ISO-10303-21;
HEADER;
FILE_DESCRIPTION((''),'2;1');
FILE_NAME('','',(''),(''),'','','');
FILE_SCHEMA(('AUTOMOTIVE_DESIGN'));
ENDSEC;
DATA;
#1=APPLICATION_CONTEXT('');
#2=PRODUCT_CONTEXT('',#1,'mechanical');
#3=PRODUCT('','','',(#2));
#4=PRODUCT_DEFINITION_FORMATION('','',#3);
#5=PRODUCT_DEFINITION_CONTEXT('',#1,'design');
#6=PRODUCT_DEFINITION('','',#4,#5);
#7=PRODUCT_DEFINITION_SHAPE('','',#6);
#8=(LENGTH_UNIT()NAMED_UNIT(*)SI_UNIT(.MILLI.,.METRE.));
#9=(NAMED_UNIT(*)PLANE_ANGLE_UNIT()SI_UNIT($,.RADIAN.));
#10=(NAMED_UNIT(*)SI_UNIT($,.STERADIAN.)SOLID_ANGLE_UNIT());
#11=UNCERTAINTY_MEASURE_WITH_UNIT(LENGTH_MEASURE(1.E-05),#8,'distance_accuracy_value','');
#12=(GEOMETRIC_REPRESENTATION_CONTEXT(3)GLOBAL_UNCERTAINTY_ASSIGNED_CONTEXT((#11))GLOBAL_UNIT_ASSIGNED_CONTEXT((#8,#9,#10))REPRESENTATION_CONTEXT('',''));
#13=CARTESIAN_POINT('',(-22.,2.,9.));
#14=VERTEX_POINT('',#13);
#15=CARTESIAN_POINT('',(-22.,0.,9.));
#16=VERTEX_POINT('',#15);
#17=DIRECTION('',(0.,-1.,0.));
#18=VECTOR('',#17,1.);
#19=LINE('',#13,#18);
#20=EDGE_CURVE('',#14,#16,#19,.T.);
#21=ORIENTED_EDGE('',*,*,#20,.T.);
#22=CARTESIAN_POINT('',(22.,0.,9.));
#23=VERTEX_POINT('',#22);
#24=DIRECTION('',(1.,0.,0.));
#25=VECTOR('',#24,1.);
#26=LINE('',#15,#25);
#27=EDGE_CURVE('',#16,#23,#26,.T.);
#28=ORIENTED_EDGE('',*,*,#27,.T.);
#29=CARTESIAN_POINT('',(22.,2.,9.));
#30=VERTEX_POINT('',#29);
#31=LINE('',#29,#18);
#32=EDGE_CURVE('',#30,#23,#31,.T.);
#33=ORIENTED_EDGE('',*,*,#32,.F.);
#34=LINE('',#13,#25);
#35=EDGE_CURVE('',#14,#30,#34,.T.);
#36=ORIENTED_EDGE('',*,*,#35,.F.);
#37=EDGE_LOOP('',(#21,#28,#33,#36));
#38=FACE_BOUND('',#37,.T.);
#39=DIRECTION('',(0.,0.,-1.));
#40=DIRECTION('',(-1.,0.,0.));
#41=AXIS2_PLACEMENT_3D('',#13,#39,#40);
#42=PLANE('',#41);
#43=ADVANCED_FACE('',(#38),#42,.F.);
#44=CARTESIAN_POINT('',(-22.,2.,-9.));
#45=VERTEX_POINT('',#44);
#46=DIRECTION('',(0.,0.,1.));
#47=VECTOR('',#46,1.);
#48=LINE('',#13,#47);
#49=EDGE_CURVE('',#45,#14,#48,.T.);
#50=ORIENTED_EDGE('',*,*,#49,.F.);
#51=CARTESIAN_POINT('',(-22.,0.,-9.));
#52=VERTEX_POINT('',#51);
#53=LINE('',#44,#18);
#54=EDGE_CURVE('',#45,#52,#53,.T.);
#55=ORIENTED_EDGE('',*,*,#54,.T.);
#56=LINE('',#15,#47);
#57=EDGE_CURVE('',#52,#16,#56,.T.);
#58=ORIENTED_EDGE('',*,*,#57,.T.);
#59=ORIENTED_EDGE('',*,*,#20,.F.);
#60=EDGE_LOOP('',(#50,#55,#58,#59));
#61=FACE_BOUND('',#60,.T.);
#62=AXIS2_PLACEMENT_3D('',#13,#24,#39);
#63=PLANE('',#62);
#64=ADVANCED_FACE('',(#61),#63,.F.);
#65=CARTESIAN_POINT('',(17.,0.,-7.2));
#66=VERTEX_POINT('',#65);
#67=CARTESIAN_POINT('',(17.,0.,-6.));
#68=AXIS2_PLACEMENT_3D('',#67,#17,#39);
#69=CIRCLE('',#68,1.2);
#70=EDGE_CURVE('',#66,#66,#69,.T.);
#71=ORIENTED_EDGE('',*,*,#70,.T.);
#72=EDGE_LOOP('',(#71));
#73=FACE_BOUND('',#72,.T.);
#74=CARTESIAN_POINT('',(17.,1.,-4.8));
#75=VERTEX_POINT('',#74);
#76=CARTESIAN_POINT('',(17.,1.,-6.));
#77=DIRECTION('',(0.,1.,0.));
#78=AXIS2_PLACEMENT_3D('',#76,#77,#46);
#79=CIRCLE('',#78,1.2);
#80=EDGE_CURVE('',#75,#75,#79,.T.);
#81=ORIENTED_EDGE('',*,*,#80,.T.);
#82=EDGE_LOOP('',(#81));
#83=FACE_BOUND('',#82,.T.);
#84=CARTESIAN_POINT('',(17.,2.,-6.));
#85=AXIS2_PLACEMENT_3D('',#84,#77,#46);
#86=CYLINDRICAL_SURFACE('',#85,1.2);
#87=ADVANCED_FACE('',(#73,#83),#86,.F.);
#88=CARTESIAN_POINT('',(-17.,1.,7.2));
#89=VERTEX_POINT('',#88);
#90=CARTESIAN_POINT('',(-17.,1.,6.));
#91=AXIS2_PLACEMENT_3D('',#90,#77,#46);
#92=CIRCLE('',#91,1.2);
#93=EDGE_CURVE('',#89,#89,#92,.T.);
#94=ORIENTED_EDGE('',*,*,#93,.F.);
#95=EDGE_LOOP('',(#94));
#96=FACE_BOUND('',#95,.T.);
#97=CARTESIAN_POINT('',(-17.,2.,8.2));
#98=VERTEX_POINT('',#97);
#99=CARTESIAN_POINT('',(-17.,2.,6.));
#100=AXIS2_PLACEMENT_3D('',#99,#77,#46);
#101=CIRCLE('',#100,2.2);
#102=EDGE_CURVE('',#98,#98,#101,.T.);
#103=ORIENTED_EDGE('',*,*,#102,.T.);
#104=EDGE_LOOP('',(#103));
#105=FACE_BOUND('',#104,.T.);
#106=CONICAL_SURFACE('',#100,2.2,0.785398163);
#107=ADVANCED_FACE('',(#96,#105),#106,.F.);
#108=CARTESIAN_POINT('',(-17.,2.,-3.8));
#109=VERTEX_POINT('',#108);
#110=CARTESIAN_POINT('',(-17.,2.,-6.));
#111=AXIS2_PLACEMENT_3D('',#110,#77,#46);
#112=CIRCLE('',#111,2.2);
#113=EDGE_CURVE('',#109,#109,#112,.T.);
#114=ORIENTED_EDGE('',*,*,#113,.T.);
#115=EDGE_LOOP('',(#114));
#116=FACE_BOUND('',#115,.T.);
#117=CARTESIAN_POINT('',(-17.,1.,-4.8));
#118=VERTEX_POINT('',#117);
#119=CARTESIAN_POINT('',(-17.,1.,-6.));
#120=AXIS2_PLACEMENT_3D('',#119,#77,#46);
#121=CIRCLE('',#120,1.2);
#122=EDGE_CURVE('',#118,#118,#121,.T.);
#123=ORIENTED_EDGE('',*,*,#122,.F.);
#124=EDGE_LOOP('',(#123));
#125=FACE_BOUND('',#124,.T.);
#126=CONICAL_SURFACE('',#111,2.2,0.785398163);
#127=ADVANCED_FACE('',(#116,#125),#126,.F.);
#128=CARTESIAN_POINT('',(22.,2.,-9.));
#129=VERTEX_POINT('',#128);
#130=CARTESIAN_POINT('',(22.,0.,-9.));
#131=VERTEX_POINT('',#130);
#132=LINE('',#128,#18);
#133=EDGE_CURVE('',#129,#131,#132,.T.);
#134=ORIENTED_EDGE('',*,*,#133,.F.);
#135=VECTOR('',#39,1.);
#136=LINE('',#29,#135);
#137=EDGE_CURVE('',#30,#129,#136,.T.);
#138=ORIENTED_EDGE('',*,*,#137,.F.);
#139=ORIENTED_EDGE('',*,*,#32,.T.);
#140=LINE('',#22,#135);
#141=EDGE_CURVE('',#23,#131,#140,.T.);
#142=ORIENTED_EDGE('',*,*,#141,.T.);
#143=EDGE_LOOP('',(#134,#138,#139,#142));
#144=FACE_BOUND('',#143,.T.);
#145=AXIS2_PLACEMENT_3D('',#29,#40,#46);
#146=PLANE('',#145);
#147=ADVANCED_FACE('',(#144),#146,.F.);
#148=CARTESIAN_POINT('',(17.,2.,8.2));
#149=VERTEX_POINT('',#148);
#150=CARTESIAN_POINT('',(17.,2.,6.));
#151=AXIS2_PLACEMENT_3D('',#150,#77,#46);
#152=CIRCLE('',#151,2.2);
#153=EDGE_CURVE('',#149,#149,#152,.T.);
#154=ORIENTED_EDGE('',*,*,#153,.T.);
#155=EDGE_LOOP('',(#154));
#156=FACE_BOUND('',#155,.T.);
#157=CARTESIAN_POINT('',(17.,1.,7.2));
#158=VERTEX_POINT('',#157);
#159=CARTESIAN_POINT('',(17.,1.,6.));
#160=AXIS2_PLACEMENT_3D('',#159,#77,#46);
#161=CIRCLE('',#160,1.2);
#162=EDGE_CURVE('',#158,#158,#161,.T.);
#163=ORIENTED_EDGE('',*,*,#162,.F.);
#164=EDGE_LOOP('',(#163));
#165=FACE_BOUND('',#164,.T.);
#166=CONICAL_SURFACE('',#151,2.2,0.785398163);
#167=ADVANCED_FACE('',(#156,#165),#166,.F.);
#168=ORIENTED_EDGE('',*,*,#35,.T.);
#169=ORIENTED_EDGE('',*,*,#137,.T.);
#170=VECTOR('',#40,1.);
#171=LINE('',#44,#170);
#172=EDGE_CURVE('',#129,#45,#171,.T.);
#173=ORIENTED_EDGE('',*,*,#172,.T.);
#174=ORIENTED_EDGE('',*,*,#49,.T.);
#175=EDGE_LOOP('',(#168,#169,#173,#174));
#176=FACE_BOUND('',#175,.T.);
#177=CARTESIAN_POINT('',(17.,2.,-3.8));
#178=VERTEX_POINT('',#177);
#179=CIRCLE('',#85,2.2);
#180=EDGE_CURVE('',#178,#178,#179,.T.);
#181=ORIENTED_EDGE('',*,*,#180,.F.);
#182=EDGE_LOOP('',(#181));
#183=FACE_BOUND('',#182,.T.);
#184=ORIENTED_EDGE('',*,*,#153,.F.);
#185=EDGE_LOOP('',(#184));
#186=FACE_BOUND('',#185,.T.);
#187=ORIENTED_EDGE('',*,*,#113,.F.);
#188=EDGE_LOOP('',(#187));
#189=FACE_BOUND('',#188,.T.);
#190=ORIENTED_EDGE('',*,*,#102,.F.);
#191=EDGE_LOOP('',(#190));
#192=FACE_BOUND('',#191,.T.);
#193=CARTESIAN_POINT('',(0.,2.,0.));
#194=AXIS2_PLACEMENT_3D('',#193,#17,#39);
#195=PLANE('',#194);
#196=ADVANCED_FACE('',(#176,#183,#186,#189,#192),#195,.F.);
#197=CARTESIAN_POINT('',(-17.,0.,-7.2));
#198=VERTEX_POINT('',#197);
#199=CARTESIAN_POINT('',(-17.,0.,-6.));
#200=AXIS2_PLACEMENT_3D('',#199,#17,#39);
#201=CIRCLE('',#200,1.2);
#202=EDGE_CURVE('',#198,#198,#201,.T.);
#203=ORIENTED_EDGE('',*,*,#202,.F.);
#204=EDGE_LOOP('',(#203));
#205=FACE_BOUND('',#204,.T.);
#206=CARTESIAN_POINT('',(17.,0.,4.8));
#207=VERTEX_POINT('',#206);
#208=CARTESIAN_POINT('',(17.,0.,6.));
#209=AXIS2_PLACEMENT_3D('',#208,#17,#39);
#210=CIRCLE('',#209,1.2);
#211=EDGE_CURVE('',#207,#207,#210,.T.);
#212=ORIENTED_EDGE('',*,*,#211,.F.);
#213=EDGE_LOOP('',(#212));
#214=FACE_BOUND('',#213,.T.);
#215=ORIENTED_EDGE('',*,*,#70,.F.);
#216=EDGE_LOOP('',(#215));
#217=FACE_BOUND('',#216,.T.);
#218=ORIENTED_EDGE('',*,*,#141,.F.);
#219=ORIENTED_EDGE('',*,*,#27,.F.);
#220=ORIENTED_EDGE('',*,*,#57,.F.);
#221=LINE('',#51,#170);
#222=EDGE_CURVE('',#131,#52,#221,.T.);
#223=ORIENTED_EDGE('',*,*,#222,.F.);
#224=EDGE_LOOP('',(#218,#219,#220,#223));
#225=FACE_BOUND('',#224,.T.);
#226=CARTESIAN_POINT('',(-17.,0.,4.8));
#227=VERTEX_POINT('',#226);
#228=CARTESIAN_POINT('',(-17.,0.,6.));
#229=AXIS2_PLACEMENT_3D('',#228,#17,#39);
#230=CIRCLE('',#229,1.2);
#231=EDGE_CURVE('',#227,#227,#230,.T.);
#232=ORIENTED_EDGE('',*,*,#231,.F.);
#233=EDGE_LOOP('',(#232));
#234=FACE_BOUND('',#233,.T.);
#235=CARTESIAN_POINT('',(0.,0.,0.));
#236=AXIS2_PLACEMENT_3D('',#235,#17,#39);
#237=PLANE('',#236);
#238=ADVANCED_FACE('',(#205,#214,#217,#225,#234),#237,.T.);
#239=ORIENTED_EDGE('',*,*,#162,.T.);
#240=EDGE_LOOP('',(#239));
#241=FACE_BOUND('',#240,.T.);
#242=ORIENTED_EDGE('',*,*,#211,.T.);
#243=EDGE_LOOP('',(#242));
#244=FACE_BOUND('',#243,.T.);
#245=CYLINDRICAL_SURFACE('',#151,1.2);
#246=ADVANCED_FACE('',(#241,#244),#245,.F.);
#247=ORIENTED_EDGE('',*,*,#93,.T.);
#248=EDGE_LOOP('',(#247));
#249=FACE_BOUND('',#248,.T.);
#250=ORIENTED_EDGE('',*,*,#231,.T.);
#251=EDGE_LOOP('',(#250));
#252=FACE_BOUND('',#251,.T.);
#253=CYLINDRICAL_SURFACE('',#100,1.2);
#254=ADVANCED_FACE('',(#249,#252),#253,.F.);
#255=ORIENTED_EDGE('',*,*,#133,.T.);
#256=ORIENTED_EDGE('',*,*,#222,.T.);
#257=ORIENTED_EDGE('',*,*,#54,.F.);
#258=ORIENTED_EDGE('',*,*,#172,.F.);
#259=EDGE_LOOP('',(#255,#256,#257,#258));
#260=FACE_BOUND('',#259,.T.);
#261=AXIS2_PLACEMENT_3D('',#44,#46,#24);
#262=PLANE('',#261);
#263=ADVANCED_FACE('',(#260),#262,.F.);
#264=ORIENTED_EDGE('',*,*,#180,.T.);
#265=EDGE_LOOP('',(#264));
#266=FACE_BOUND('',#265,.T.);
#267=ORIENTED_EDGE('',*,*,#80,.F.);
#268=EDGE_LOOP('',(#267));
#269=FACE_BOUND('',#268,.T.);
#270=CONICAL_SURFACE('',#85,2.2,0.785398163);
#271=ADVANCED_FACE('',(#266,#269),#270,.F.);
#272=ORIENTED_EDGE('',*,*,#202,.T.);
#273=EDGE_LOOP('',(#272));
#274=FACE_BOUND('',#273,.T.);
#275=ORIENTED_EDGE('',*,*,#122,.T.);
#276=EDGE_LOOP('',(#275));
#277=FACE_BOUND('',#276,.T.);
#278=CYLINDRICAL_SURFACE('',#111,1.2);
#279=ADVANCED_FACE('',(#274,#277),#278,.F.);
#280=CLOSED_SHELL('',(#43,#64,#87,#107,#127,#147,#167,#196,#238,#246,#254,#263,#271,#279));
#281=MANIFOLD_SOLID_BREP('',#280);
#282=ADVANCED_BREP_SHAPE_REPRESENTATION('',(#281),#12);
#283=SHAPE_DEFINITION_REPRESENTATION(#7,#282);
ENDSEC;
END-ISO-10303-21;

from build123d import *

# Parameters (mm, degrees)
SKETCH1_W                                       = 44
SKETCH1_H                                       = 18
BOSS_EXTRUDE1_DEPTH                             = 2
CSK_FOR_M2_FLAT_HEAD_MACHINE_SCREW1_D           = 2.4
CSK_FOR_M2_FLAT_HEAD_MACHINE_SCREW1_DEPTH       = 10
CSK_FOR_M2_FLAT_HEAD_MACHINE_SCREW1_CSINK_D     = 4.4
CSK_FOR_M2_FLAT_HEAD_MACHINE_SCREW1_CSINK_ANGLE = 90
CSK_FOR_M2_FLAT_HEAD_MACHINE_SCREW1_TIP         = 0.721032743


with BuildPart() as part:
    # Sketch1 → Boss-Extrude1 (new body)
    with BuildSketch(Plane(origin=(0, 0, 0), x_dir=(1, 0, 0), z_dir=(0, 1, 0))):
        Rectangle(SKETCH1_W, SKETCH1_H)
    extrude(amount=BOSS_EXTRUDE1_DEPTH)

    # CSK for M2 Flat Head Machine Screw1
    with Locations(Plane(origin=(0, 2, 0), x_dir=(1, 0, 0), z_dir=(0, 1, 0))):
        with Locations((-17, 6), (17, 6), (-17, -6), (17, -6)):
            CounterSinkHole(CSK_FOR_M2_FLAT_HEAD_MACHINE_SCREW1_D / 2, CSK_FOR_M2_FLAT_HEAD_MACHINE_SCREW1_CSINK_D / 2, depth=CSK_FOR_M2_FLAT_HEAD_MACHINE_SCREW1_DEPTH, counter_sink_angle=CSK_FOR_M2_FLAT_HEAD_MACHINE_SCREW1_CSINK_ANGLE)
            with Locations((0, 0, -(CSK_FOR_M2_FLAT_HEAD_MACHINE_SCREW1_DEPTH + CSK_FOR_M2_FLAT_HEAD_MACHINE_SCREW1_TIP / 2))):  # 118° drill point
                Cone(0, CSK_FOR_M2_FLAT_HEAD_MACHINE_SCREW1_D / 2, CSK_FOR_M2_FLAT_HEAD_MACHINE_SCREW1_TIP, mode=Mode.SUBTRACT)


solid = part.part
